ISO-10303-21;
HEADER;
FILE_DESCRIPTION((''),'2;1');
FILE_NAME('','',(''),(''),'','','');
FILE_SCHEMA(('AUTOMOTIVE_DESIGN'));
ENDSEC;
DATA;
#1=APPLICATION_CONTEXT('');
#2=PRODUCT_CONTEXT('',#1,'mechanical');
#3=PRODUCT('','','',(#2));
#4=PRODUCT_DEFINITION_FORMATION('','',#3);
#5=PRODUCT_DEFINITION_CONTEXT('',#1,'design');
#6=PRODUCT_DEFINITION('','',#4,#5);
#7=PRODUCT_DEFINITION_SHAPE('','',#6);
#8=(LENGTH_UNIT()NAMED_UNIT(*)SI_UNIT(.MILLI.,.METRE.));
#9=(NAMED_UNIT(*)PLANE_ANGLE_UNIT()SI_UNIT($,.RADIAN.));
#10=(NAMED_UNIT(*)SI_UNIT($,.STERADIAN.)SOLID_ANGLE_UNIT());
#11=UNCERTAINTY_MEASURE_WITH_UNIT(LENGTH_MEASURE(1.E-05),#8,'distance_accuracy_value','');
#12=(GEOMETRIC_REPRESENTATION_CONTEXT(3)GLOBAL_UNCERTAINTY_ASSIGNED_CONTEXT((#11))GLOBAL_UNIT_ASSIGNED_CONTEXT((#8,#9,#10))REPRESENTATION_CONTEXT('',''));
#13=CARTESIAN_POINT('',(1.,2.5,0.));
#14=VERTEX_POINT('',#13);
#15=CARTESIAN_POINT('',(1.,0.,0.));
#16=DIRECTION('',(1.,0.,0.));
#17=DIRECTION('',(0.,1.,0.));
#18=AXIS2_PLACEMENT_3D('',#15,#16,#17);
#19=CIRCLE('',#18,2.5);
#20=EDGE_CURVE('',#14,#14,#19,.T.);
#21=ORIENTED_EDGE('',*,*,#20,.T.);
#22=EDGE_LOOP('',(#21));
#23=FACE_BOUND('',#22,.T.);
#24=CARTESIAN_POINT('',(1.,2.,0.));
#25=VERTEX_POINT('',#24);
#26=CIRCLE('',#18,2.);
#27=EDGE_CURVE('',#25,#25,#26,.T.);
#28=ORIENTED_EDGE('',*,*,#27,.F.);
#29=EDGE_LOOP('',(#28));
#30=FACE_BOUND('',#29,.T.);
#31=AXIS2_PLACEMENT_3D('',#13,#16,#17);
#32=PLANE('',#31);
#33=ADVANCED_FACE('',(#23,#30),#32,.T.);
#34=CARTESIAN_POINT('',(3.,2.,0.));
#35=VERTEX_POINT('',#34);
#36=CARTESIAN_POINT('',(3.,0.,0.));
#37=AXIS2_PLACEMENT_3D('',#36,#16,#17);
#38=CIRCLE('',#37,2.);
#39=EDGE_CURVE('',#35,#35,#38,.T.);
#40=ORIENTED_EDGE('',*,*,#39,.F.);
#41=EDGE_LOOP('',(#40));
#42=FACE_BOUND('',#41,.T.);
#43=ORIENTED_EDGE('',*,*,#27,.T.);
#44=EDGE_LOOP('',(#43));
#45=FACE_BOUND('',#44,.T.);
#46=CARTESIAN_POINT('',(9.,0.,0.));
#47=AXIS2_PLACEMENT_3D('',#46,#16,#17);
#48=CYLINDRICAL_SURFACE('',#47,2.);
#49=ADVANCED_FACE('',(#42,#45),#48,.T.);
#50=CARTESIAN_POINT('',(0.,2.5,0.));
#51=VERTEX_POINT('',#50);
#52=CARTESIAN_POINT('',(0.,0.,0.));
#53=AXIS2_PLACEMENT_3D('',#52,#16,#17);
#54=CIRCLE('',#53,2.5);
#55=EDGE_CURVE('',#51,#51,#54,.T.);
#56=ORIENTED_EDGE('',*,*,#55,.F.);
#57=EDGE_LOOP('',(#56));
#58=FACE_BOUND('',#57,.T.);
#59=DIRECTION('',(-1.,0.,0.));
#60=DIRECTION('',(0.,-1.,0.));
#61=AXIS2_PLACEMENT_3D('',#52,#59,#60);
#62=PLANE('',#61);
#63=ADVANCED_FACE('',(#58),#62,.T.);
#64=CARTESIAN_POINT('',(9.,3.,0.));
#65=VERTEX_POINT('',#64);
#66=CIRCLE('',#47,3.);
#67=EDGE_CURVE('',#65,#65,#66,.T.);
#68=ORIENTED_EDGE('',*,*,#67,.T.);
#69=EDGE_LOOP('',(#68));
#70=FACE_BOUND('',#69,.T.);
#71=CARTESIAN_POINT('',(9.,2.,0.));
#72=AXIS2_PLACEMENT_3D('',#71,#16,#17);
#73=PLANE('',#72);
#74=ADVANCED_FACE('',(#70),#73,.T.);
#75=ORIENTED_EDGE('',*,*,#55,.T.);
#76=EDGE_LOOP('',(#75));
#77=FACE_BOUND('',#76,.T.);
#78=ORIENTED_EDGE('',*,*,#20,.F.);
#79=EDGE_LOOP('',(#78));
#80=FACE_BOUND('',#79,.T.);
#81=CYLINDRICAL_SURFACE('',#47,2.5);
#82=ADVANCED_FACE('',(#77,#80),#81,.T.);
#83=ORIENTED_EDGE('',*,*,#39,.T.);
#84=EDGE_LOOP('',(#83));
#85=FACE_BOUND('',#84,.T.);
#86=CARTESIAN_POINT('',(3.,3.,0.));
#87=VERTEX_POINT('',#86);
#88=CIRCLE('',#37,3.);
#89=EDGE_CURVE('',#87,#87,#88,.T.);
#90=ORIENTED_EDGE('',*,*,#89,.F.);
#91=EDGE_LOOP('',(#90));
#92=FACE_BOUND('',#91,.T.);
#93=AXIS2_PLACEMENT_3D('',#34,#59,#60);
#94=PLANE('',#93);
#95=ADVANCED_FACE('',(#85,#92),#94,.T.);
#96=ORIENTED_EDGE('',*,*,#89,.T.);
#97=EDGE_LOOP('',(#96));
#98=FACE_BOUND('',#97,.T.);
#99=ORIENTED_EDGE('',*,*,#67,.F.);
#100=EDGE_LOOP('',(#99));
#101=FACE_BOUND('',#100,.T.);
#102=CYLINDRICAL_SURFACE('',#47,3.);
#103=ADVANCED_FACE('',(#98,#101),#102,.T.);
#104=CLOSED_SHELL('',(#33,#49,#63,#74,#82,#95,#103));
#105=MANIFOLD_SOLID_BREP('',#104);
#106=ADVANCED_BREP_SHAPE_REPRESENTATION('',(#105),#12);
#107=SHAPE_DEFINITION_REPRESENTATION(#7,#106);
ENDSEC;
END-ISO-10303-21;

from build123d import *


with BuildPart() as part:
    # Esquisse1 → Révolution1 (revolve)
    with BuildSketch(Plane.XY):
        Polygon((0, 0), (0, 2.5), (1, 2.5), (1, 2), (3, 2), (3, 3), (9, 3), (9, 2), (9, 0), align=None)
    revolve(axis=Axis((9, 0, 0), (-1, 0, 0)))


solid = part.part
